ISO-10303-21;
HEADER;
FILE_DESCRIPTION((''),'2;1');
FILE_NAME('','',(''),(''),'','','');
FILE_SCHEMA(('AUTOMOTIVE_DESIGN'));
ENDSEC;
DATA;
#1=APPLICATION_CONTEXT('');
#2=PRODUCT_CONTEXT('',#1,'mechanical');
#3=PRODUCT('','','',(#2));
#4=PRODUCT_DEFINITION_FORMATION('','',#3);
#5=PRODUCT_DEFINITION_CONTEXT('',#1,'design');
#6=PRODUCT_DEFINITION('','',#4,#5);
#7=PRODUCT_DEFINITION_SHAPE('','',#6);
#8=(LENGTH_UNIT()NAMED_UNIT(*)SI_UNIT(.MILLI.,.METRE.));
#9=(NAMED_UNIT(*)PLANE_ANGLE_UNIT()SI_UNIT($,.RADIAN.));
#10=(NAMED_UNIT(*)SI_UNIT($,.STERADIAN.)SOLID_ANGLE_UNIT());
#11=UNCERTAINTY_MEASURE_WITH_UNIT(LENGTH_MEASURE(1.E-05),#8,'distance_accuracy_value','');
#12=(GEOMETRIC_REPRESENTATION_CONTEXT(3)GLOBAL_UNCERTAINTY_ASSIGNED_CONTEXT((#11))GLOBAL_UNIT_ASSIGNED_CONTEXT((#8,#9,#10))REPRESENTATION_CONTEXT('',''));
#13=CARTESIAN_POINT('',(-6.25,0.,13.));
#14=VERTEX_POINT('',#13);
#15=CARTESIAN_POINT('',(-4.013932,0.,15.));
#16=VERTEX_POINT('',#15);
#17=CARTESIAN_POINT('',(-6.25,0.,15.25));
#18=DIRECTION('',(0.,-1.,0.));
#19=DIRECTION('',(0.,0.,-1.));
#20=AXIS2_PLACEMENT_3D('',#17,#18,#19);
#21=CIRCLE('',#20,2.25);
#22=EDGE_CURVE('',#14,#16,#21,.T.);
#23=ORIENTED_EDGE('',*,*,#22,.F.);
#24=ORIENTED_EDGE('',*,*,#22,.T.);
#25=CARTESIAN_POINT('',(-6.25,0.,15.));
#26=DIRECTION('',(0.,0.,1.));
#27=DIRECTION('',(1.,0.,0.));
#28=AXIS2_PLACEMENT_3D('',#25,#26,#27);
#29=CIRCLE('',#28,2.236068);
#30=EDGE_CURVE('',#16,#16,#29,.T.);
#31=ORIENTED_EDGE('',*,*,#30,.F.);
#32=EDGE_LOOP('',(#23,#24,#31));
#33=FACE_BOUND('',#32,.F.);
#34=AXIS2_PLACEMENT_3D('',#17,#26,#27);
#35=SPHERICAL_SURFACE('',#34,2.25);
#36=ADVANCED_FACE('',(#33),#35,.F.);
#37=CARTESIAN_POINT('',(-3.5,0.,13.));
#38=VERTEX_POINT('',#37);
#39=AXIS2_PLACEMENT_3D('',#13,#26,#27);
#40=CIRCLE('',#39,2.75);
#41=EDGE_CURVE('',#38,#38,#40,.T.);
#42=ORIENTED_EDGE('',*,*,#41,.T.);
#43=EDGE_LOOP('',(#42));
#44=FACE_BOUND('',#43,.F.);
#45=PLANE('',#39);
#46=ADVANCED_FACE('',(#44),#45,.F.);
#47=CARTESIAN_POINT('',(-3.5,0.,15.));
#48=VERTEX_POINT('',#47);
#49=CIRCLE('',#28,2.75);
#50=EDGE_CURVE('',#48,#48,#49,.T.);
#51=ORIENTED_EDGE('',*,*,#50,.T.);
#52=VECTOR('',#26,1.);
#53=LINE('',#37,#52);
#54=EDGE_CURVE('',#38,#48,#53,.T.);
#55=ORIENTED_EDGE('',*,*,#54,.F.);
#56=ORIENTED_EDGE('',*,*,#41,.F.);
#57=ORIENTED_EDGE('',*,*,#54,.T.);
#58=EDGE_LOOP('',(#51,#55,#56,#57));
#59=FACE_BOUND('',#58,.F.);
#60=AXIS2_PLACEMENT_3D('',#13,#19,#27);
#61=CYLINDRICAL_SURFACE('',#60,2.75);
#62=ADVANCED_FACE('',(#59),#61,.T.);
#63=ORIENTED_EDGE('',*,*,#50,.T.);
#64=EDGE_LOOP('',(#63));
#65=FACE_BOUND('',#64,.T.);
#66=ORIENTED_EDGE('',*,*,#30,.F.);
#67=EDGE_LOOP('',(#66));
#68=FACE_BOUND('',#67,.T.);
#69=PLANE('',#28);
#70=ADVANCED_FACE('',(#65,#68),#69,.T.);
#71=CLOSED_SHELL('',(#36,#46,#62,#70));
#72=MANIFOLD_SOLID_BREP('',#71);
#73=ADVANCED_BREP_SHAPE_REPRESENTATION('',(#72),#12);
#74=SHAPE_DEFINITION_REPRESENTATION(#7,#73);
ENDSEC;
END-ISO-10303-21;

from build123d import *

# Parameters (mm, degrees)
CYLINDER006_R     = 2.75
CYLINDER006_DEPTH = 2


with BuildPart() as sphere005:
    # Sphere005 → Sphere005 (revolve)
    with BuildSketch(Plane(origin=(-6.25, 0, 15.25), x_dir=(1, 0, 0), z_dir=(0, -1, 0))):
        with BuildLine():
            ThreePointArc((0, -2.25), (2.25, 0), (0, 2.25))
            Line((0, 2.25), (0, -2.25))
        make_face()
    revolve(axis=Axis((-6.25, 0, 15.25), (0, 0, 1)))


with BuildPart() as cut003:
    # Cylinder006 → Cylinder006 (new body)
    with BuildSketch(Plane(origin=(-6.25, 0, 13), x_dir=(1, 0, 0), z_dir=(0, 0, 1))):
        Circle(CYLINDER006_R)
    extrude(amount=CYLINDER006_DEPTH)

    # Cut003: cut Sphere005
    add(sphere005.part, mode=Mode.SUBTRACT)


solid = cut003.part
